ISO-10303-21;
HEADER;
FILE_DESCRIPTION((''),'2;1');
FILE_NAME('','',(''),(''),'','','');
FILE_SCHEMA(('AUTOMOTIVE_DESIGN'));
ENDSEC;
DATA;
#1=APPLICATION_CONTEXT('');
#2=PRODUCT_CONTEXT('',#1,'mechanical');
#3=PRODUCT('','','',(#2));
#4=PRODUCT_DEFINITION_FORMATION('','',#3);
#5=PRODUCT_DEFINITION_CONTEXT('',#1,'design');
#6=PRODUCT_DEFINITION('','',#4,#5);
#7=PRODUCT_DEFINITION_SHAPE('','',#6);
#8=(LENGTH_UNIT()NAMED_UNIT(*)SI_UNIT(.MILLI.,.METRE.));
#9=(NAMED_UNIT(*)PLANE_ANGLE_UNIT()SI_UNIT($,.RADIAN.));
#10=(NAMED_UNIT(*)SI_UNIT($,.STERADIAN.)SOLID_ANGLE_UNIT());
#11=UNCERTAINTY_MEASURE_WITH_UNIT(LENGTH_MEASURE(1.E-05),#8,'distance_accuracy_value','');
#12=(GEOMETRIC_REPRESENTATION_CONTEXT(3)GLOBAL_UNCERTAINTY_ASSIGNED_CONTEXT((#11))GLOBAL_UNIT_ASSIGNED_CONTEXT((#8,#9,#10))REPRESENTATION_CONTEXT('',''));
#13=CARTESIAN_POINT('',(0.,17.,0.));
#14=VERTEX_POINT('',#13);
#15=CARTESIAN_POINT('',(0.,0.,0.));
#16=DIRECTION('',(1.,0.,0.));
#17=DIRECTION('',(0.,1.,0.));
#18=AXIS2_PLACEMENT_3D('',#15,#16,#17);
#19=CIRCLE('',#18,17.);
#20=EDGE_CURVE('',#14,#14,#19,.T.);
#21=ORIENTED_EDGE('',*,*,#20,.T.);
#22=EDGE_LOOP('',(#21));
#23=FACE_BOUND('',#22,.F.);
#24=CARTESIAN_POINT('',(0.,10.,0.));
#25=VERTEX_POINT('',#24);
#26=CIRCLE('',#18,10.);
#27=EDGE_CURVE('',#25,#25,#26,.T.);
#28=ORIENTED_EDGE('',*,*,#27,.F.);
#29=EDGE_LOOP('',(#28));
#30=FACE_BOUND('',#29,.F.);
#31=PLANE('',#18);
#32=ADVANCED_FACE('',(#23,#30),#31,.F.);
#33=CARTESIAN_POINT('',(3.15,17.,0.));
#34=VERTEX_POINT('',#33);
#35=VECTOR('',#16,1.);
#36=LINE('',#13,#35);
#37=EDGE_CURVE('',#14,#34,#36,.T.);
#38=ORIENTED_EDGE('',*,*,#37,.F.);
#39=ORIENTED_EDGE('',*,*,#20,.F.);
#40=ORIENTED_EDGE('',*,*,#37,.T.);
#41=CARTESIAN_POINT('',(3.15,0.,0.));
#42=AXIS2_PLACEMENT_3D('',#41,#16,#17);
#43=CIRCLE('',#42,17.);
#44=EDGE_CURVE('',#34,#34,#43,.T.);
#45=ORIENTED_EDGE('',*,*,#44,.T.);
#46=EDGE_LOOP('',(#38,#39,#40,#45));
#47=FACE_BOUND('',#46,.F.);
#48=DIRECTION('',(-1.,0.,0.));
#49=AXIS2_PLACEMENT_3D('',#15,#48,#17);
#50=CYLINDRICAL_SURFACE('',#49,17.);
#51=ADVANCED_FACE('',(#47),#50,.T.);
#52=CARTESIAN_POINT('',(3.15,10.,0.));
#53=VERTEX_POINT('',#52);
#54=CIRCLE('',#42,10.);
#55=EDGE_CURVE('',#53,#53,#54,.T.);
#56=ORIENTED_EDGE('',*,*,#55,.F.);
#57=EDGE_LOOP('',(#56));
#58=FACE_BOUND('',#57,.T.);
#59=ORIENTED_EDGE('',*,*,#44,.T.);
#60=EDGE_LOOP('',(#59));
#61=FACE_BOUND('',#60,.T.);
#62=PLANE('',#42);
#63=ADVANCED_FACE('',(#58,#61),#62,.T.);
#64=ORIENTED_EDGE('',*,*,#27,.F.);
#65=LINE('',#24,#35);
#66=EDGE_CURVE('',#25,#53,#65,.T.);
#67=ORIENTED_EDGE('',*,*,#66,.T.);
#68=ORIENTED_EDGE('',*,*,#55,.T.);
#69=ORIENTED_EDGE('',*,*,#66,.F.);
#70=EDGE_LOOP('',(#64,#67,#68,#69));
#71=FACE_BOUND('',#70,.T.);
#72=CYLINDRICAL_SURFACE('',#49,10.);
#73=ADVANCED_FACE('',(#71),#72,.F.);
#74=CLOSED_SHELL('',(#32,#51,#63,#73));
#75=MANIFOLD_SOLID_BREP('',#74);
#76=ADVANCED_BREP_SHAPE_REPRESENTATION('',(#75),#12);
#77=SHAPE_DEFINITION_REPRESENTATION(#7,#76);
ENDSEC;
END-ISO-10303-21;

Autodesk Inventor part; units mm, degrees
ref_plane "YZ Plane" through (0, 0, 0) normal (1, 0, 0) x (0, 1, 0)
ref_plane "XZ Plane" through (0, 0, 0) normal (0, 1, 0) x (-1, 0, 0)
sketch "Schizzo" plane through (0, 0, 0) normal (1, 0, 0) x (0, 1, 0)
  circle A0 centre (0, 0) radius 17
  circle A1 centre (0, 0) radius 10
  dimension "d0" = 20
  dimension "d1" = 34
extrude "Corpo" add sketch "Schizzo" along normal blind 3.15
ref_plane "Work Plane1" through (0, 0, 0) normal (0, 0, 1) x (1, 0, 0)
equation "\"d0\" = SD1"
equation "\"d1\" = SD2"
equation "\"d2\" = SD"
equation "\"SD1\" = 20"
equation "\"SD2\" = 34"
equation "\"SD\" = 3.15"
equation "\"NND\" = 18"
properties part number "IS 2016 - A20" material "Acciaio, Dolce"
